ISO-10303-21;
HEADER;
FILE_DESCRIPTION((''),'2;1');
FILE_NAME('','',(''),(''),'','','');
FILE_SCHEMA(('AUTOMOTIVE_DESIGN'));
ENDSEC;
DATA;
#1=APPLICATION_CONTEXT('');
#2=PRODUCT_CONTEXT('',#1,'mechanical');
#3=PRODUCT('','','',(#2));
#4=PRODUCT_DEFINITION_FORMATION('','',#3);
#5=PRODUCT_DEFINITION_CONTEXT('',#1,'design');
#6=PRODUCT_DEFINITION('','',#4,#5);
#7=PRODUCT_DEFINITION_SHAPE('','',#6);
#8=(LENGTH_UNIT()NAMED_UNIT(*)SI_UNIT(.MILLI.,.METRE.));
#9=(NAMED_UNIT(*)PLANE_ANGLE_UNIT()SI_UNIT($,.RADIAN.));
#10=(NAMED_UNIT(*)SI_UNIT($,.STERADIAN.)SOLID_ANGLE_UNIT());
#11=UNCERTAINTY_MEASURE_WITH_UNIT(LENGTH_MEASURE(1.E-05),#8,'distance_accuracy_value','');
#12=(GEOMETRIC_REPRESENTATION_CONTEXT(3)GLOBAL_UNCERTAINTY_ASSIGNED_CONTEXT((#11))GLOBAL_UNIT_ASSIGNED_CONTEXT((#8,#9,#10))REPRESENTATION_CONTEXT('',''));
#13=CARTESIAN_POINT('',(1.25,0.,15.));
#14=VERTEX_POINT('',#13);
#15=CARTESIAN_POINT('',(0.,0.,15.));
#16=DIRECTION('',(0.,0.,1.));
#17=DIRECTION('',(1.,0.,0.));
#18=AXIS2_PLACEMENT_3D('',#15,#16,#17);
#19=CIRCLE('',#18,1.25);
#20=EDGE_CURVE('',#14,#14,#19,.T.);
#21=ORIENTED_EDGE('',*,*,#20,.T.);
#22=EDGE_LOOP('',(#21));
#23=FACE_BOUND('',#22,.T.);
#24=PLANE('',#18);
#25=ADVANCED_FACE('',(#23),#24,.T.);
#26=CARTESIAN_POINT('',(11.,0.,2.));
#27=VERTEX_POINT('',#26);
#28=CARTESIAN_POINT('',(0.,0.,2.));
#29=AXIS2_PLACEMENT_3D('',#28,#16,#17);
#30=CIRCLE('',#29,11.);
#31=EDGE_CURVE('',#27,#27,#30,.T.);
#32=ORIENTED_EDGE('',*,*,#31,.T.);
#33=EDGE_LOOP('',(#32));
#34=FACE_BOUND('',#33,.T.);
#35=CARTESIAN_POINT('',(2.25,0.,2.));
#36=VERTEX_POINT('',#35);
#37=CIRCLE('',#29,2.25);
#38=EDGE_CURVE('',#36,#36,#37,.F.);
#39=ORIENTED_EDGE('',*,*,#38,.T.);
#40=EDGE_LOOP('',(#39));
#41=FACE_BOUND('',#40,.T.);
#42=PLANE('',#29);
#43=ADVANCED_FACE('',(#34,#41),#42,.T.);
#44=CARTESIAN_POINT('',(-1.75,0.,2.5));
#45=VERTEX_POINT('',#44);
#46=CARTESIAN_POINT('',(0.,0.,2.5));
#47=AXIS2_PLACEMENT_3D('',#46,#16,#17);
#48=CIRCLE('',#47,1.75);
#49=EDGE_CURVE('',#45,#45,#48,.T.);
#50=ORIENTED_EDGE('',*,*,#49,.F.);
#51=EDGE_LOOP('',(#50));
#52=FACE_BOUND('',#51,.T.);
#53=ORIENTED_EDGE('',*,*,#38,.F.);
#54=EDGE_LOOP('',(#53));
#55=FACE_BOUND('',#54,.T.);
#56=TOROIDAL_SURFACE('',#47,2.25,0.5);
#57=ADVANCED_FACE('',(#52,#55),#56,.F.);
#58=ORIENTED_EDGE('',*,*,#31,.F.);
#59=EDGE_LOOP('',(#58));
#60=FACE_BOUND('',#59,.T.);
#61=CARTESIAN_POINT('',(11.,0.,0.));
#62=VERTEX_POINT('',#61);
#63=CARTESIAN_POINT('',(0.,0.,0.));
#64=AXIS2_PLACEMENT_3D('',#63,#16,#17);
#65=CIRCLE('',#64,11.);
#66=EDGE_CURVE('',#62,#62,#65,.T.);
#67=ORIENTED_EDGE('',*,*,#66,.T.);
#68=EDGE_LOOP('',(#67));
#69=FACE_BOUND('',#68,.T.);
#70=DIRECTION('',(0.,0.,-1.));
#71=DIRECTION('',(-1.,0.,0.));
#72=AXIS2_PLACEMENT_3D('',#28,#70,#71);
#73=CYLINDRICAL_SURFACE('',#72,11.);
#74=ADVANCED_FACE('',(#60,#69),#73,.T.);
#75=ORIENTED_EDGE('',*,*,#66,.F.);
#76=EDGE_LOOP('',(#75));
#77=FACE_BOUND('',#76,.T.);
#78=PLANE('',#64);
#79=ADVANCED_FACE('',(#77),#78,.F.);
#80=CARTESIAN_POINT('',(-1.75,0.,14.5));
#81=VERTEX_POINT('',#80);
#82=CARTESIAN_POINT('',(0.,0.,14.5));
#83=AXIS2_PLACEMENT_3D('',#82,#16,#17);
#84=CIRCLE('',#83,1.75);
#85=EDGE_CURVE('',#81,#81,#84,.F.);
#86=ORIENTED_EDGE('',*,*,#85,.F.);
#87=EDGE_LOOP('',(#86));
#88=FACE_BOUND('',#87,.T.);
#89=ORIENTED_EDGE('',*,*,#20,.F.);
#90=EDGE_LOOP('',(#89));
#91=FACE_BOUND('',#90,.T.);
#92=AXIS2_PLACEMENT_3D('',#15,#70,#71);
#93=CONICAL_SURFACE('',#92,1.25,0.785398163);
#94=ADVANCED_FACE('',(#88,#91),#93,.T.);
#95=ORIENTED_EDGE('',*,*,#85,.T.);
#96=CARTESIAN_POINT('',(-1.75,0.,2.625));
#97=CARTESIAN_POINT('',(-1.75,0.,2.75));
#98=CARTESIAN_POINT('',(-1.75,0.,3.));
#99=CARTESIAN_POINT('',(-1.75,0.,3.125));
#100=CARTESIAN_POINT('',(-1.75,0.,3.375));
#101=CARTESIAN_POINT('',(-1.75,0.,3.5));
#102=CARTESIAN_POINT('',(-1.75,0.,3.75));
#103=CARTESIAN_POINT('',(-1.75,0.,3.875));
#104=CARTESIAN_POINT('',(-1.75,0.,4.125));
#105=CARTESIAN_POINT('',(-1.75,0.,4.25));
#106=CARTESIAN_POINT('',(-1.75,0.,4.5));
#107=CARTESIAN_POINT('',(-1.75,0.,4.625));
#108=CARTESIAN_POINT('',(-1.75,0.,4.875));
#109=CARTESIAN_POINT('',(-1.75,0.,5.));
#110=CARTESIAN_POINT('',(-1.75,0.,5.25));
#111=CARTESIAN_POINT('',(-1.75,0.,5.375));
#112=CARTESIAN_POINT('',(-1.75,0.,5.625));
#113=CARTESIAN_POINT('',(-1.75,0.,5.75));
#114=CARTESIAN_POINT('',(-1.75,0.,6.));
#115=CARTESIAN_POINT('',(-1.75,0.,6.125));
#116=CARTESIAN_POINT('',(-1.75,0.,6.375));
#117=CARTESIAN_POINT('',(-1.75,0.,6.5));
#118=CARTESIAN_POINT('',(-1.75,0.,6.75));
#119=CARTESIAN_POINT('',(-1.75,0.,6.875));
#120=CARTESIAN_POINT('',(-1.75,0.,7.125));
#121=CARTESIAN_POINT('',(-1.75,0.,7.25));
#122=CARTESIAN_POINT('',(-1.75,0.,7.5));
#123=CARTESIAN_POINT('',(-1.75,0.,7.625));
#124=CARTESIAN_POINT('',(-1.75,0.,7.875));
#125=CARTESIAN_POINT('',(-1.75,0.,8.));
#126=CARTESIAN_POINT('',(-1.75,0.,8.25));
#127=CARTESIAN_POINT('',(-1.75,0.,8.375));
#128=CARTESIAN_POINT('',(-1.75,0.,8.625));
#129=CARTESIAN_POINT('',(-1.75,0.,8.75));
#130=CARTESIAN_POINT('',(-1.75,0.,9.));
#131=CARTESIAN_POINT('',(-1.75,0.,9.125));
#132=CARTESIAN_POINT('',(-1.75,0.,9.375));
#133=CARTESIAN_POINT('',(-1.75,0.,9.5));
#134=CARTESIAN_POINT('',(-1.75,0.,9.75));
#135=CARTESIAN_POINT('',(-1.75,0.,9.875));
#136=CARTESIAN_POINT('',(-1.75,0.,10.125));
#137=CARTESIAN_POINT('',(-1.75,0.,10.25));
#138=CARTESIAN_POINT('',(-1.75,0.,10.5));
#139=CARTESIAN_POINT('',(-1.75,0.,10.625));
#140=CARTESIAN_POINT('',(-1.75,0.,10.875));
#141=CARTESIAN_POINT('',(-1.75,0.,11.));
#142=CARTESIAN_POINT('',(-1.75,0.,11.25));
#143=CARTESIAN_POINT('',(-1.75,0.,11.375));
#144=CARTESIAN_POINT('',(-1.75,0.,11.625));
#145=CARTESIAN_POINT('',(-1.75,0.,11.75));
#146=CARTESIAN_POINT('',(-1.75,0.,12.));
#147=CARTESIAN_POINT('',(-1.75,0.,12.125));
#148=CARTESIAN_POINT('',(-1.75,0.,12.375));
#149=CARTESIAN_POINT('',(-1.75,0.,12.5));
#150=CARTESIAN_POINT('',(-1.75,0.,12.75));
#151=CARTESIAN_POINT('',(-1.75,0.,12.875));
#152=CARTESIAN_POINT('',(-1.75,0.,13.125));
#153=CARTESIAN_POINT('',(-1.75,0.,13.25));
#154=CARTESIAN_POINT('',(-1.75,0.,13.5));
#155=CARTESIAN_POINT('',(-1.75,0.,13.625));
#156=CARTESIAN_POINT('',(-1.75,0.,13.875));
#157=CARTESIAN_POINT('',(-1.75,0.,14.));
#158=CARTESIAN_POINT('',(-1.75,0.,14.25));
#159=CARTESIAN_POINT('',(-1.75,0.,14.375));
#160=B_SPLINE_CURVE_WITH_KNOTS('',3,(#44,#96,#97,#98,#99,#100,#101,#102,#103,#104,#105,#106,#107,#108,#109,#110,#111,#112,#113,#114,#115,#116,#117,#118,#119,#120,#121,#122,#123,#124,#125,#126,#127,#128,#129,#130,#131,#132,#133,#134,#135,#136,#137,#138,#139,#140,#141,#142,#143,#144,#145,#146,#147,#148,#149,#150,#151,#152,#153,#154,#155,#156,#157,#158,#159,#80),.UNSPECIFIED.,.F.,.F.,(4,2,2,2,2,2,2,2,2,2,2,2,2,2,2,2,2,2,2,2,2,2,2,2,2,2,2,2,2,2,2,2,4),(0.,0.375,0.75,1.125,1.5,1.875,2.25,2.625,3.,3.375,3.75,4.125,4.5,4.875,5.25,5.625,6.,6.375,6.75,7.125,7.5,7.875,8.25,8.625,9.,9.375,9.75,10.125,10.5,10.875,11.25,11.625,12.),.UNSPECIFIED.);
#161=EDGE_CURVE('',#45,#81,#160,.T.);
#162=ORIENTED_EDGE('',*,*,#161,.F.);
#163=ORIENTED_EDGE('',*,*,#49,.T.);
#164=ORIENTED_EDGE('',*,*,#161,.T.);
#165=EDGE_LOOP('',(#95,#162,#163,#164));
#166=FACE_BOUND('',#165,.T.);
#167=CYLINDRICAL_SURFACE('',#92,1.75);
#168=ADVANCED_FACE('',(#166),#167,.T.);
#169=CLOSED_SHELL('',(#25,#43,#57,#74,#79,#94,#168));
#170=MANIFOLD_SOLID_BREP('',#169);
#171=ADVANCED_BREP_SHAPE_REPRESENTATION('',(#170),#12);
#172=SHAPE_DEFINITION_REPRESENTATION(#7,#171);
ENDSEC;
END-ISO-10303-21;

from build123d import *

# Parameters (mm, degrees)
ESQUISSE1_R          = 11
BASE_EXTRUSION_DEPTH = 2
ESQUISSE3_R          = 1.75
BOSS_EXTRU_1_DEPTH   = 13
CHANFREIN1_SIZE      = 0.5
CONG_1_R             = 0.5


with BuildPart() as part:
    # Esquisse1 → Base-Extrusion (new body)
    with BuildSketch(Plane.XY):
        Circle(ESQUISSE1_R)
    extrude(amount=BASE_EXTRUSION_DEPTH)

    # Esquisse3 → Boss.-Extru.1 (add)
    with BuildSketch(Plane.XY.offset(2)):
        with Locations(Location((0, 0, 0), (0, 0, 180))):
            Circle(ESQUISSE3_R)
    extrude(amount=BOSS_EXTRU_1_DEPTH)

    # Chanfrein1
    chanfrein1_edges = [part.edges().sort_by_distance(p)[0] for p in [
        (1.75, 0, 15),
    ]]
    chamfer(chanfrein1_edges, length=CHANFREIN1_SIZE)

    # Congé1
    cong_1_edges = [part.edges().sort_by_distance(p)[0] for p in [
        (1.75, 0, 2),
    ]]
    fillet(cong_1_edges, radius=CONG_1_R)


solid = part.part
